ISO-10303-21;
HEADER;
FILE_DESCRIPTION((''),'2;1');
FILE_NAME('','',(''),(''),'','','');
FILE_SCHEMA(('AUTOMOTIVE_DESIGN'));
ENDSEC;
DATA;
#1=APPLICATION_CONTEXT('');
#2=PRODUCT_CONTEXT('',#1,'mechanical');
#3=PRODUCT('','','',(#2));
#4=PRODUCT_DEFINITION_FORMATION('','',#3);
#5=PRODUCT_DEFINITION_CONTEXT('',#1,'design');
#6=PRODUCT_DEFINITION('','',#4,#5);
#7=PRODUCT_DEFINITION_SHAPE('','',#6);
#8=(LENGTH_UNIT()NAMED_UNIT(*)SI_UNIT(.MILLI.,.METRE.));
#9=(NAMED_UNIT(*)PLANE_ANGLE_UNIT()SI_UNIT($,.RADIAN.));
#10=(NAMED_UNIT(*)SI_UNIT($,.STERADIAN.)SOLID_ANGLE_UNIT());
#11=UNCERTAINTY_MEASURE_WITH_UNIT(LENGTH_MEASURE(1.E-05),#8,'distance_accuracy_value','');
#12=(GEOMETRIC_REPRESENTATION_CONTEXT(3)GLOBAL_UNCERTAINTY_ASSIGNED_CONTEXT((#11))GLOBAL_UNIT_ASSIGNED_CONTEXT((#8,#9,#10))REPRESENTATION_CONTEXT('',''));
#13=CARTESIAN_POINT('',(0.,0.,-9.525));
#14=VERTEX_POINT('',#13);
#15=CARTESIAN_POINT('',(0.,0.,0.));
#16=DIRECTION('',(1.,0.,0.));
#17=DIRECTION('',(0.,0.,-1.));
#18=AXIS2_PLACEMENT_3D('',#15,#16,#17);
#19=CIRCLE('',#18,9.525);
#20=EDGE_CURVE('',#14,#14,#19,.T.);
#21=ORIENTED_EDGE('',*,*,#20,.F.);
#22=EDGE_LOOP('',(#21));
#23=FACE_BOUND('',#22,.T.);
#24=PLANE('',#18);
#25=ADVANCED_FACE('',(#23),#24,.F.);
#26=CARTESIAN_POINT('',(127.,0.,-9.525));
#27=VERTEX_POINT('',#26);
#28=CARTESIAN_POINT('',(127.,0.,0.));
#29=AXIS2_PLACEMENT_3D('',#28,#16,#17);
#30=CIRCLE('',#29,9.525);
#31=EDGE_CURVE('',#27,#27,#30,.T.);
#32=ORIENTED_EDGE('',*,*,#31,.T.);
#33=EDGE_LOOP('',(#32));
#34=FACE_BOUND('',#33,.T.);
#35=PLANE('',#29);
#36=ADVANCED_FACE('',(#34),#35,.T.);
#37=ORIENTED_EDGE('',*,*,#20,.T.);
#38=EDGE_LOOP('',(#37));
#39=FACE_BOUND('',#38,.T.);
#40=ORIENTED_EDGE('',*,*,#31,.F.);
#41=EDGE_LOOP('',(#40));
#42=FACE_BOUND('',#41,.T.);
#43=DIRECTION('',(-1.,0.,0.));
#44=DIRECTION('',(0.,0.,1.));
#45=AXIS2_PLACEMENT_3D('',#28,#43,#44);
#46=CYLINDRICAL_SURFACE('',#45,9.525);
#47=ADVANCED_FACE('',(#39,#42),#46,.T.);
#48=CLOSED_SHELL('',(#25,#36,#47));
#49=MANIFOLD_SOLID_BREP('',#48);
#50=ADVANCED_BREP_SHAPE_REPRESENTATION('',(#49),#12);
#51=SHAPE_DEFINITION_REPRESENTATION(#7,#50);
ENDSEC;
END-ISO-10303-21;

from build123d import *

# Parameters (mm, degrees)
SKETCH1_R           = 9.525
BOSS_EXTRUDE1_DEPTH = 127


with BuildPart() as part:
    # Sketch1 → Boss-Extrude1 (new body)
    with BuildSketch(Plane(origin=(0, 0, 0), x_dir=(0, 0, -1), z_dir=(1, 0, 0))):
        Circle(SKETCH1_R)
    extrude(amount=BOSS_EXTRUDE1_DEPTH)


solid = part.part
